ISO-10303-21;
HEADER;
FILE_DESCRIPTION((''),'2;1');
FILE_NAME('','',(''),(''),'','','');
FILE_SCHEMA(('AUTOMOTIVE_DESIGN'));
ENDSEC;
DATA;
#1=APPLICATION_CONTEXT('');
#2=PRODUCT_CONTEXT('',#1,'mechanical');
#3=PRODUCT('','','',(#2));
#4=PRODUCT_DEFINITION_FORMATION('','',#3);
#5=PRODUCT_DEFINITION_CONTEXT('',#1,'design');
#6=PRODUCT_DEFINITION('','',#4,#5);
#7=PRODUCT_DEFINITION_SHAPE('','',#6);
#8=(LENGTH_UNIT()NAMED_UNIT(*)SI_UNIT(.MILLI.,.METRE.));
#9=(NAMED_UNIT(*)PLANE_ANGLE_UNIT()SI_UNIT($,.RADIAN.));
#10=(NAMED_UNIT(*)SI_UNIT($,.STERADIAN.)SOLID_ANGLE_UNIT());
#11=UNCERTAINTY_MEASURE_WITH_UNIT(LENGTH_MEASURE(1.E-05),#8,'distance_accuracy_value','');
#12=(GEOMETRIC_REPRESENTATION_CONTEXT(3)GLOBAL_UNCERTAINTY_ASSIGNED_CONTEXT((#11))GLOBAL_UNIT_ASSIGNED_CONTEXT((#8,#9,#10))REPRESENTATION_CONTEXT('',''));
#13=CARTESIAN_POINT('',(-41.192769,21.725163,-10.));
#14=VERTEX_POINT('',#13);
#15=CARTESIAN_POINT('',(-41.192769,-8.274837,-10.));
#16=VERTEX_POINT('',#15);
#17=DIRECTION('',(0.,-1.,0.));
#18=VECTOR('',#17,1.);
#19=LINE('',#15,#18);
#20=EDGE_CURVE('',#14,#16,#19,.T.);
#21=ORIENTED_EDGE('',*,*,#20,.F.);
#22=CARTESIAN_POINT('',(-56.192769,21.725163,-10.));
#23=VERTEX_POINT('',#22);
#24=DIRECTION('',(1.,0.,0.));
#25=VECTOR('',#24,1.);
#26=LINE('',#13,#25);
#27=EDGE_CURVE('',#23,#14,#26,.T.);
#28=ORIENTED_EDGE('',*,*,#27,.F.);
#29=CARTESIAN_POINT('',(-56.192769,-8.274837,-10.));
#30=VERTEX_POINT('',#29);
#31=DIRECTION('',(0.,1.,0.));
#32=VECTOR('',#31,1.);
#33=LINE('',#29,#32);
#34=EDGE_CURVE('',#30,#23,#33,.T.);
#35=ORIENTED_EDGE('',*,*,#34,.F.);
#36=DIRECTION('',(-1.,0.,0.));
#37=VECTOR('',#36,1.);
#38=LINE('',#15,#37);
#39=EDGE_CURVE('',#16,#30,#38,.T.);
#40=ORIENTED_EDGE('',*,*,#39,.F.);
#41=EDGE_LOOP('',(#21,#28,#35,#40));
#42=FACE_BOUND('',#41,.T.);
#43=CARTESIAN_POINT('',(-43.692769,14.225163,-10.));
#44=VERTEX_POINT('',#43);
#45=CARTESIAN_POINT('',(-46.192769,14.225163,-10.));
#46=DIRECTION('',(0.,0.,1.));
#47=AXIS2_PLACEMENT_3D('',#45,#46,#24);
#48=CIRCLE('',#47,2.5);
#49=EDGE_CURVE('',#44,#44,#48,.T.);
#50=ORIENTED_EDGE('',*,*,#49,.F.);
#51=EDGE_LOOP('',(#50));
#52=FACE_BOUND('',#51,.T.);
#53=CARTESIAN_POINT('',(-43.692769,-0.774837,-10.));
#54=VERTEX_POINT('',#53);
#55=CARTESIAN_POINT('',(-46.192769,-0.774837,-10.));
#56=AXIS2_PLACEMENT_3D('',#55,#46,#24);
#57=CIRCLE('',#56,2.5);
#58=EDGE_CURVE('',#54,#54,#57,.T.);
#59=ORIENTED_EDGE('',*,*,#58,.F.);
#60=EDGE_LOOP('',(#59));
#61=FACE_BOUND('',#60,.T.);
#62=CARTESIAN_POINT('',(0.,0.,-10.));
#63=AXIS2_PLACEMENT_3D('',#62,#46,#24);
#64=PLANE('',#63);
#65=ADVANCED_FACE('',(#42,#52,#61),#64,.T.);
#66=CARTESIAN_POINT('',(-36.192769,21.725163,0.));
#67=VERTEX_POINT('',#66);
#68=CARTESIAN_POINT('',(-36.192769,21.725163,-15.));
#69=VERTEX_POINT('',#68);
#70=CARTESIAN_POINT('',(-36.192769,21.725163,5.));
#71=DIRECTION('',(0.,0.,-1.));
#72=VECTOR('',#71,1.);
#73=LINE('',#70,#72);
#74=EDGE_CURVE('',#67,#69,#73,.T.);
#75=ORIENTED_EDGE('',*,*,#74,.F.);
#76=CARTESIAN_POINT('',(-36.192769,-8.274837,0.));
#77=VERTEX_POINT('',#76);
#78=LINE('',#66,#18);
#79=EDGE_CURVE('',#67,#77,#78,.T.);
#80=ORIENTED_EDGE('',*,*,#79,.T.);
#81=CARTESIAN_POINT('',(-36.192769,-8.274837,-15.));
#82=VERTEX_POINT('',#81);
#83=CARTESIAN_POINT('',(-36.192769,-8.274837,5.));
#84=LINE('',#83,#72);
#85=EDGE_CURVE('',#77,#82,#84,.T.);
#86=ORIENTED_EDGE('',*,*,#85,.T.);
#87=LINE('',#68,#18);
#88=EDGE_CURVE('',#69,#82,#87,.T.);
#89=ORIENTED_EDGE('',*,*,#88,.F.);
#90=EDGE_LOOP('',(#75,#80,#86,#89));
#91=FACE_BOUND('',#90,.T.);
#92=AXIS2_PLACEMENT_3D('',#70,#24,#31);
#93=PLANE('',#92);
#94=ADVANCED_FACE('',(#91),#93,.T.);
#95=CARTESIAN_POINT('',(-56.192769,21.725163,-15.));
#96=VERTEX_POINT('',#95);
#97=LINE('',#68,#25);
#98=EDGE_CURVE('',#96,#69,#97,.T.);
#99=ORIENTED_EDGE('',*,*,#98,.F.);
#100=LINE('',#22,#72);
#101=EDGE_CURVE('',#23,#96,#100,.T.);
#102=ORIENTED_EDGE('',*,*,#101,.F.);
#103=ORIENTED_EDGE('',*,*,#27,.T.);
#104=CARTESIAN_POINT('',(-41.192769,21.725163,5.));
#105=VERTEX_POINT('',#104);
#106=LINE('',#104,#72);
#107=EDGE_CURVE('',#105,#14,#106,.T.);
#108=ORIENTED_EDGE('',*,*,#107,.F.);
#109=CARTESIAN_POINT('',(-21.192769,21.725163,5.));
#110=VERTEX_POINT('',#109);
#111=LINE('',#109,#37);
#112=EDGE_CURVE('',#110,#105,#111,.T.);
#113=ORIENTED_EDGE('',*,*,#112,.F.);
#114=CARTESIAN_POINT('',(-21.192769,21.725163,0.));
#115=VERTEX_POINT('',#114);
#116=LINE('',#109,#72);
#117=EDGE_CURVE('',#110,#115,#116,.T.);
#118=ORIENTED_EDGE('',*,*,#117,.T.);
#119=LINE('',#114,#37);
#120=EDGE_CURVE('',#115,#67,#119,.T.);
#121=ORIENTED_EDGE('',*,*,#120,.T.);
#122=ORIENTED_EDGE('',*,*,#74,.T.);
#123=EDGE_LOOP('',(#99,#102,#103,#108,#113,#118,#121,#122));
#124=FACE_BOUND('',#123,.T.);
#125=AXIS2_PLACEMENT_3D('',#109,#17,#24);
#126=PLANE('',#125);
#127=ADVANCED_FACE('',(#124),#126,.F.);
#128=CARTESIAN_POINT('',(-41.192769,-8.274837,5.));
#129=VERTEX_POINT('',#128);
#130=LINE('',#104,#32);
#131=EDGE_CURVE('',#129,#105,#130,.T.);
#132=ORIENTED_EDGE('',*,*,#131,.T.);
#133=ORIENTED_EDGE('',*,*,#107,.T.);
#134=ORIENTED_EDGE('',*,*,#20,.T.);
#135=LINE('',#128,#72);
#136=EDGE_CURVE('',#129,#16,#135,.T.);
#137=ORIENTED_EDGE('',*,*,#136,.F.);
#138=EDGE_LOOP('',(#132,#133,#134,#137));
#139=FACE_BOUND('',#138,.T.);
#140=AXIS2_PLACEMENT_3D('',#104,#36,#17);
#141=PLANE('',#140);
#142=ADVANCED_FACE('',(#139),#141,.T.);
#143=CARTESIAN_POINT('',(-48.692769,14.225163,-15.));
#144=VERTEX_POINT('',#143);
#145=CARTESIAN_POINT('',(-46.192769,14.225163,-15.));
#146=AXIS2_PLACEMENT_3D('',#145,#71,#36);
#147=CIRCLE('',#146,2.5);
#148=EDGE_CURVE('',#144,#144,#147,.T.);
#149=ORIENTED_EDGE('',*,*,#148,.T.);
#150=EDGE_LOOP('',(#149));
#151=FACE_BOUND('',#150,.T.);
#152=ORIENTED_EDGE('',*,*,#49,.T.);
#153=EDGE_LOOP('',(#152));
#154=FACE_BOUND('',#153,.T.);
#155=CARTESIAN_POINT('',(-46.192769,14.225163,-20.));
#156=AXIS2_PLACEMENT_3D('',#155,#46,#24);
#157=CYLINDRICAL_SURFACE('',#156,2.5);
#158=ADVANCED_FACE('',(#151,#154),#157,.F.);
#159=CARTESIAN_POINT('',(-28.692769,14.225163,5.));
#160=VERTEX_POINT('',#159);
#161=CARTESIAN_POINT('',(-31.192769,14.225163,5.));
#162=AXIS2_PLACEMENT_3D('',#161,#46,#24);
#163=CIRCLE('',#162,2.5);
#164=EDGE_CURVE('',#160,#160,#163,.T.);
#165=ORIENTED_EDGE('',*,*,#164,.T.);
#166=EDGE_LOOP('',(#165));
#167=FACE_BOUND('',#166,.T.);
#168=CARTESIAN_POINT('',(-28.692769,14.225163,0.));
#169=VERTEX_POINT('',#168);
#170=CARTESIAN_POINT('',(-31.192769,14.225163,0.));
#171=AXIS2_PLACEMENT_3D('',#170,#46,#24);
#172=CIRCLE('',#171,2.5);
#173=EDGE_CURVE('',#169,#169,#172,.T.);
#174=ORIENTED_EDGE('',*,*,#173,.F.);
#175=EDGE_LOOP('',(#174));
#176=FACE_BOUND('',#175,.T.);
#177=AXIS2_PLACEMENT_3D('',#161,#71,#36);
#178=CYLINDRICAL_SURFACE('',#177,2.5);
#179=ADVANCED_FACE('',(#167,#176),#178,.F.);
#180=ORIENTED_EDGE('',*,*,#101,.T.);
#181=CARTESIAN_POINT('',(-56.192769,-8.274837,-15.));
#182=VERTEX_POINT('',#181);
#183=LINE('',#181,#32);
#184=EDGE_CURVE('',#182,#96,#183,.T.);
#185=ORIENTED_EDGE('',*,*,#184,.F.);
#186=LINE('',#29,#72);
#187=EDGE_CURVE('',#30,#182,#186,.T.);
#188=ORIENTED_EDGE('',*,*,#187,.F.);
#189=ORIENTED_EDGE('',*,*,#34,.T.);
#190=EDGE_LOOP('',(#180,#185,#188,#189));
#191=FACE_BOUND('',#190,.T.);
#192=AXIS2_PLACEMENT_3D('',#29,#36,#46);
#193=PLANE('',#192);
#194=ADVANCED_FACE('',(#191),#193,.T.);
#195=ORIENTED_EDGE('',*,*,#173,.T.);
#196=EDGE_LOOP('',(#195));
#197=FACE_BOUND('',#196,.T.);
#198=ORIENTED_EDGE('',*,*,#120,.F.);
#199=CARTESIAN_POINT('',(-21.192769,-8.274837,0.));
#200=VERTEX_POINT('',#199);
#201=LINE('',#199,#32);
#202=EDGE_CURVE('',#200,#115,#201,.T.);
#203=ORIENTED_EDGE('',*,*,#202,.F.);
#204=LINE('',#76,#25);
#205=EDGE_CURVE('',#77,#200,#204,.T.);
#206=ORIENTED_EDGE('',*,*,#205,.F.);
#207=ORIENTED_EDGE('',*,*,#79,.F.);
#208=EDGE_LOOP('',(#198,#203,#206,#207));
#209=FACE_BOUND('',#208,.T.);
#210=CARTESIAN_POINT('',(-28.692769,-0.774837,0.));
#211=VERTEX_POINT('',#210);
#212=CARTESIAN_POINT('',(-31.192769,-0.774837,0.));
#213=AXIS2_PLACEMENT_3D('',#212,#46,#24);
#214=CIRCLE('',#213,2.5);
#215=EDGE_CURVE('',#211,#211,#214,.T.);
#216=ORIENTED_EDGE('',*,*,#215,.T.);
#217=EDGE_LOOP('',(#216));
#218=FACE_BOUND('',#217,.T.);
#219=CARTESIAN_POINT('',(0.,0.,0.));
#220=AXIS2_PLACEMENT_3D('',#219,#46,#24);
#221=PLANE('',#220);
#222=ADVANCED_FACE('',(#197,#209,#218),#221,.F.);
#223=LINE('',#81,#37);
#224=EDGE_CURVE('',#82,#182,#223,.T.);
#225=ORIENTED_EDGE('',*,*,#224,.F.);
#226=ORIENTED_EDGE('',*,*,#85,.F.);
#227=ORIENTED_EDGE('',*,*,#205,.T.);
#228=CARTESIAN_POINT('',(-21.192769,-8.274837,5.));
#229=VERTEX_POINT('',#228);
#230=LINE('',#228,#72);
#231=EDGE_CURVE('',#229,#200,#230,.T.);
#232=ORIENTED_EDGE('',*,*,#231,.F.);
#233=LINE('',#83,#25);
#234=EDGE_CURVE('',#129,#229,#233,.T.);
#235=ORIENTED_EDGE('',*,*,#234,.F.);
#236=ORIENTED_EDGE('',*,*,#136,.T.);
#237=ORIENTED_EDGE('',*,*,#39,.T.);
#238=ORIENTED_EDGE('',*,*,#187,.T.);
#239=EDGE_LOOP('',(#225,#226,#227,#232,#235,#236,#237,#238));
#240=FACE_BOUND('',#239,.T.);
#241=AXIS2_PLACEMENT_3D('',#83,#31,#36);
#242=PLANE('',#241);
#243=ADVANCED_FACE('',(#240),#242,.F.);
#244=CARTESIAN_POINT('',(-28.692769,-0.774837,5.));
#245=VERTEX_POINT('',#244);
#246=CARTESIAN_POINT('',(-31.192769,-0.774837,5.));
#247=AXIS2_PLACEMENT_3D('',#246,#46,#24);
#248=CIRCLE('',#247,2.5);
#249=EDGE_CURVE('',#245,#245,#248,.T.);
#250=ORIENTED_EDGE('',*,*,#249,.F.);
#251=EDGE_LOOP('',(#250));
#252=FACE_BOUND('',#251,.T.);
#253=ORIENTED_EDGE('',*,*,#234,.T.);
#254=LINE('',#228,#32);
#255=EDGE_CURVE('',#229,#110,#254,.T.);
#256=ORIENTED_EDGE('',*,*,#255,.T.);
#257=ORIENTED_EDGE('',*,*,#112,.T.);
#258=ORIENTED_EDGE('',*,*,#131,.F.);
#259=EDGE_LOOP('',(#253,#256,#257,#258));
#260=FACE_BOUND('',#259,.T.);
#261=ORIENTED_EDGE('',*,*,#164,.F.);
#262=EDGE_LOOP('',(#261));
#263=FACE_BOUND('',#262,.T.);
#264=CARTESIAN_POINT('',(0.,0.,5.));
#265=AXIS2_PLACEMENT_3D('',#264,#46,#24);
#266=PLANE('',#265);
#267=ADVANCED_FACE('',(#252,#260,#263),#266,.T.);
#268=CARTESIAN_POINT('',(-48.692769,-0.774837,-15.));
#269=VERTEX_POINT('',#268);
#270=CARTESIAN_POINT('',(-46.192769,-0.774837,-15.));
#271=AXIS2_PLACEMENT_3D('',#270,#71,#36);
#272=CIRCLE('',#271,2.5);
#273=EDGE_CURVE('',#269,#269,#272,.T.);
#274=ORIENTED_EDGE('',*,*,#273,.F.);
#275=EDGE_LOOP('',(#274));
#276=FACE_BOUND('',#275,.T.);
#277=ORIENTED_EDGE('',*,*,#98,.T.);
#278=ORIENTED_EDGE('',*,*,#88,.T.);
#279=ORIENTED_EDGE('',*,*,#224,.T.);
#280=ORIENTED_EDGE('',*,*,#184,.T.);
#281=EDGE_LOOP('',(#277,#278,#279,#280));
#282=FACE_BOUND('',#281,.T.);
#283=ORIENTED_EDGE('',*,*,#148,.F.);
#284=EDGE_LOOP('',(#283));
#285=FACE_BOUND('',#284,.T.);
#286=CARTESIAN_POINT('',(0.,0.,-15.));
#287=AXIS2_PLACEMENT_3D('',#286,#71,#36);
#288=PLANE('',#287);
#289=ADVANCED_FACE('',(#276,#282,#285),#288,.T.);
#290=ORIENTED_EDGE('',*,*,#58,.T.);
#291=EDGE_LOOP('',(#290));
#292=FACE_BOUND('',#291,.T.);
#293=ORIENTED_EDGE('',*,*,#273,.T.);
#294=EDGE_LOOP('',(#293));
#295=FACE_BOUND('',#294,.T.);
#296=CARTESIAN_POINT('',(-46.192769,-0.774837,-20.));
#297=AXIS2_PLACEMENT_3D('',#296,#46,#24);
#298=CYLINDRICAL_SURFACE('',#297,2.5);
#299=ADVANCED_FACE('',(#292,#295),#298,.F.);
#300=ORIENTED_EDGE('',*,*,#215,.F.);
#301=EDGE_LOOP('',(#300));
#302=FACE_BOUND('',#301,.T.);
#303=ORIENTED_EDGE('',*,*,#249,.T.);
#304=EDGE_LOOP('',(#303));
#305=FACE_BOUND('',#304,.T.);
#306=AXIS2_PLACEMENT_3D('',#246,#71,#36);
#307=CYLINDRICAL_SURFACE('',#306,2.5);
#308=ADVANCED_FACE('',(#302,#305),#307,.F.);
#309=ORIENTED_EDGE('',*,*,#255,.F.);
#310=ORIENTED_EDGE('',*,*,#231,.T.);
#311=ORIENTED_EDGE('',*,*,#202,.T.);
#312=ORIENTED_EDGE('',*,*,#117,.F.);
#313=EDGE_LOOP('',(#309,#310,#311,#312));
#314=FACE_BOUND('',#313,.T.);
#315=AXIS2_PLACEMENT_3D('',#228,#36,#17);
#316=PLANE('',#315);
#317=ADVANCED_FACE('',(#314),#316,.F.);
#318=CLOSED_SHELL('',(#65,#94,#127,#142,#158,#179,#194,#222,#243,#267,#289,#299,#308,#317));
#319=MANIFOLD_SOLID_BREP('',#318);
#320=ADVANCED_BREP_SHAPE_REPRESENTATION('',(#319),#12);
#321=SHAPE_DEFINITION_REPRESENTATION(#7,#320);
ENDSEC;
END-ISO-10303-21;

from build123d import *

# Parameters (mm, degrees)
IZIM1_W                          = 15
IZIM1_H                          = 30
IZIM1_R                          = 2.5
Y_KSEKLIK_EKSTR_ZYON1_DEPTH      = 5
Y_KSEKLIK_EKSTR_ZYON2_DEPTH      = 15
Y_KSEKLIK_EKSTR_ZYON2_DEPTH_BACK = 5
IZIM2_W                          = 5
IZIM2_H                          = 30
IZIM3_W                          = 15
IZIM3_H                          = 30
Y_KSEKLIK_EKSTR_ZYON3_DEPTH      = 5
IZIM4_R                          = 2.5
KES_EKSTR_ZYON1_DEPTH            = 10


with BuildPart() as part:
    # Çizim1 → Yükseklik-Ekstrüzyon1 (new body)
    with BuildSketch(Plane.XY):
        with Locations((-28.692769378, 6.725163294)):
            Rectangle(IZIM1_W, IZIM1_H)
        with Locations((-31.192769378, 14.225163294)):
            Circle(IZIM1_R, mode=Mode.SUBTRACT)
        with Locations((-31.192769378, -0.774836706)):
            Circle(IZIM1_R, mode=Mode.SUBTRACT)
    extrude(amount=Y_KSEKLIK_EKSTR_ZYON1_DEPTH)

    # Çizim2 → Yükseklik-Ekstrüzyon2 (add, two sides: drawn at the far end of the back side and taken through both)
    with BuildSketch(Plane(origin=(0, 0, 0), x_dir=(-1, 0, 0), z_dir=(0, 0, -1)).offset(-Y_KSEKLIK_EKSTR_ZYON2_DEPTH_BACK)):
        with Locations((38.692769378, 6.725163294)):
            Rectangle(IZIM2_W, IZIM2_H)
    extrude(amount=Y_KSEKLIK_EKSTR_ZYON2_DEPTH + Y_KSEKLIK_EKSTR_ZYON2_DEPTH_BACK)

    # Çizim3 → Yükseklik-Ekstrüzyon3 (add)
    with BuildSketch(Plane(origin=(0, 0, -15), x_dir=(-1, 0, 0), z_dir=(0, 0, -1))):
        with Locations((48.692769378, 6.725163294)):
            Rectangle(IZIM3_W, IZIM3_H)
    extrude(amount=-Y_KSEKLIK_EKSTR_ZYON3_DEPTH)

    # Çizim4 → Kes-Ekstrüzyon1 (cut)
    with BuildSketch(Plane.XY.offset(-10)):
        with Locations((-46.192769378, 14.225163294)):
            Circle(IZIM4_R)
        with Locations((-46.192769378, -0.774836706)):
            Circle(IZIM4_R)
    extrude(amount=-KES_EKSTR_ZYON1_DEPTH, mode=Mode.SUBTRACT)


solid = part.part
